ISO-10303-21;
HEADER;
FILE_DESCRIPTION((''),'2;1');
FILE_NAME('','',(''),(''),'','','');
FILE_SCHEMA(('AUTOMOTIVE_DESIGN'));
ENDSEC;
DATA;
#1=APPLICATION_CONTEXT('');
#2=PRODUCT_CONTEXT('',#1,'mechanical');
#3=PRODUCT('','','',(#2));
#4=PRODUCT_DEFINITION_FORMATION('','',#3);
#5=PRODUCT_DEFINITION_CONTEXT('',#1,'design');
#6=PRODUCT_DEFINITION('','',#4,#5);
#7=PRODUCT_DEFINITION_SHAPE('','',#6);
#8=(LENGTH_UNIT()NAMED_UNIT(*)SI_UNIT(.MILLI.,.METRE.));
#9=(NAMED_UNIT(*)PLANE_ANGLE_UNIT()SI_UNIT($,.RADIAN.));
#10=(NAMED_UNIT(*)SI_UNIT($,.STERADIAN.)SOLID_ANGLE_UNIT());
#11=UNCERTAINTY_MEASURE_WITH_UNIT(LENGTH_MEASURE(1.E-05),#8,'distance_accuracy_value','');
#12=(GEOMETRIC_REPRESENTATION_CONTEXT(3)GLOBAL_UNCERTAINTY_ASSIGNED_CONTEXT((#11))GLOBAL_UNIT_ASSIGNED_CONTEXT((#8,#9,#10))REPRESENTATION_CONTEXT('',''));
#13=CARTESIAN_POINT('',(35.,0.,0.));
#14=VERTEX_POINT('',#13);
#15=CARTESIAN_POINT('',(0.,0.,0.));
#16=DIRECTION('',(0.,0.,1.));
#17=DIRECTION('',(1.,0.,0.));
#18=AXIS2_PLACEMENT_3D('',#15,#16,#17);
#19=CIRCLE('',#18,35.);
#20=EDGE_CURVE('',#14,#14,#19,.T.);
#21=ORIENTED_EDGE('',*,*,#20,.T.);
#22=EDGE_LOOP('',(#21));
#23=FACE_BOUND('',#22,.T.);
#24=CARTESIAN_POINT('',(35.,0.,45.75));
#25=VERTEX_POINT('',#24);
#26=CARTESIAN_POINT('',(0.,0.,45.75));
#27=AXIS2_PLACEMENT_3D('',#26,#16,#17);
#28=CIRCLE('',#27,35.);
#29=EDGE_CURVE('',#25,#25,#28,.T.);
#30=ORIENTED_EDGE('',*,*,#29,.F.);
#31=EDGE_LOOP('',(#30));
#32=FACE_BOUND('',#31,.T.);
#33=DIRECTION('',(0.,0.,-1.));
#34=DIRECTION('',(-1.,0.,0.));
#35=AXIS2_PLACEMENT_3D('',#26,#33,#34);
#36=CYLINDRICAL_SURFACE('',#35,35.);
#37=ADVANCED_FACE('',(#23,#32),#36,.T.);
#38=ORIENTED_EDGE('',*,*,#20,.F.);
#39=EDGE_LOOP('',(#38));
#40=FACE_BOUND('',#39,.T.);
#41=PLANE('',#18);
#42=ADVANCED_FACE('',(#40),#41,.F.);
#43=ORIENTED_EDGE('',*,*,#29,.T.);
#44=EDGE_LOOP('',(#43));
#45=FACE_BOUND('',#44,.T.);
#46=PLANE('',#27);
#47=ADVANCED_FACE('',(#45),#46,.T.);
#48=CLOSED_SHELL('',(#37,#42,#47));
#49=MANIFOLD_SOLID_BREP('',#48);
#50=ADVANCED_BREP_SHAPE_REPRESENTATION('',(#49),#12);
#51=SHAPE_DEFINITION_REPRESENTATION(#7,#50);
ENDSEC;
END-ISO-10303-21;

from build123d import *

# Parameters (mm, degrees)
SKETCH_1_R        = 35
EXTRUDE_203_DEPTH = 45.75


with BuildPart() as part:
    # 草图1 → Extrude 203 (new body)
    with BuildSketch(Plane.XY):
        Circle(SKETCH_1_R)
    extrude(amount=EXTRUDE_203_DEPTH)


solid = part.part
